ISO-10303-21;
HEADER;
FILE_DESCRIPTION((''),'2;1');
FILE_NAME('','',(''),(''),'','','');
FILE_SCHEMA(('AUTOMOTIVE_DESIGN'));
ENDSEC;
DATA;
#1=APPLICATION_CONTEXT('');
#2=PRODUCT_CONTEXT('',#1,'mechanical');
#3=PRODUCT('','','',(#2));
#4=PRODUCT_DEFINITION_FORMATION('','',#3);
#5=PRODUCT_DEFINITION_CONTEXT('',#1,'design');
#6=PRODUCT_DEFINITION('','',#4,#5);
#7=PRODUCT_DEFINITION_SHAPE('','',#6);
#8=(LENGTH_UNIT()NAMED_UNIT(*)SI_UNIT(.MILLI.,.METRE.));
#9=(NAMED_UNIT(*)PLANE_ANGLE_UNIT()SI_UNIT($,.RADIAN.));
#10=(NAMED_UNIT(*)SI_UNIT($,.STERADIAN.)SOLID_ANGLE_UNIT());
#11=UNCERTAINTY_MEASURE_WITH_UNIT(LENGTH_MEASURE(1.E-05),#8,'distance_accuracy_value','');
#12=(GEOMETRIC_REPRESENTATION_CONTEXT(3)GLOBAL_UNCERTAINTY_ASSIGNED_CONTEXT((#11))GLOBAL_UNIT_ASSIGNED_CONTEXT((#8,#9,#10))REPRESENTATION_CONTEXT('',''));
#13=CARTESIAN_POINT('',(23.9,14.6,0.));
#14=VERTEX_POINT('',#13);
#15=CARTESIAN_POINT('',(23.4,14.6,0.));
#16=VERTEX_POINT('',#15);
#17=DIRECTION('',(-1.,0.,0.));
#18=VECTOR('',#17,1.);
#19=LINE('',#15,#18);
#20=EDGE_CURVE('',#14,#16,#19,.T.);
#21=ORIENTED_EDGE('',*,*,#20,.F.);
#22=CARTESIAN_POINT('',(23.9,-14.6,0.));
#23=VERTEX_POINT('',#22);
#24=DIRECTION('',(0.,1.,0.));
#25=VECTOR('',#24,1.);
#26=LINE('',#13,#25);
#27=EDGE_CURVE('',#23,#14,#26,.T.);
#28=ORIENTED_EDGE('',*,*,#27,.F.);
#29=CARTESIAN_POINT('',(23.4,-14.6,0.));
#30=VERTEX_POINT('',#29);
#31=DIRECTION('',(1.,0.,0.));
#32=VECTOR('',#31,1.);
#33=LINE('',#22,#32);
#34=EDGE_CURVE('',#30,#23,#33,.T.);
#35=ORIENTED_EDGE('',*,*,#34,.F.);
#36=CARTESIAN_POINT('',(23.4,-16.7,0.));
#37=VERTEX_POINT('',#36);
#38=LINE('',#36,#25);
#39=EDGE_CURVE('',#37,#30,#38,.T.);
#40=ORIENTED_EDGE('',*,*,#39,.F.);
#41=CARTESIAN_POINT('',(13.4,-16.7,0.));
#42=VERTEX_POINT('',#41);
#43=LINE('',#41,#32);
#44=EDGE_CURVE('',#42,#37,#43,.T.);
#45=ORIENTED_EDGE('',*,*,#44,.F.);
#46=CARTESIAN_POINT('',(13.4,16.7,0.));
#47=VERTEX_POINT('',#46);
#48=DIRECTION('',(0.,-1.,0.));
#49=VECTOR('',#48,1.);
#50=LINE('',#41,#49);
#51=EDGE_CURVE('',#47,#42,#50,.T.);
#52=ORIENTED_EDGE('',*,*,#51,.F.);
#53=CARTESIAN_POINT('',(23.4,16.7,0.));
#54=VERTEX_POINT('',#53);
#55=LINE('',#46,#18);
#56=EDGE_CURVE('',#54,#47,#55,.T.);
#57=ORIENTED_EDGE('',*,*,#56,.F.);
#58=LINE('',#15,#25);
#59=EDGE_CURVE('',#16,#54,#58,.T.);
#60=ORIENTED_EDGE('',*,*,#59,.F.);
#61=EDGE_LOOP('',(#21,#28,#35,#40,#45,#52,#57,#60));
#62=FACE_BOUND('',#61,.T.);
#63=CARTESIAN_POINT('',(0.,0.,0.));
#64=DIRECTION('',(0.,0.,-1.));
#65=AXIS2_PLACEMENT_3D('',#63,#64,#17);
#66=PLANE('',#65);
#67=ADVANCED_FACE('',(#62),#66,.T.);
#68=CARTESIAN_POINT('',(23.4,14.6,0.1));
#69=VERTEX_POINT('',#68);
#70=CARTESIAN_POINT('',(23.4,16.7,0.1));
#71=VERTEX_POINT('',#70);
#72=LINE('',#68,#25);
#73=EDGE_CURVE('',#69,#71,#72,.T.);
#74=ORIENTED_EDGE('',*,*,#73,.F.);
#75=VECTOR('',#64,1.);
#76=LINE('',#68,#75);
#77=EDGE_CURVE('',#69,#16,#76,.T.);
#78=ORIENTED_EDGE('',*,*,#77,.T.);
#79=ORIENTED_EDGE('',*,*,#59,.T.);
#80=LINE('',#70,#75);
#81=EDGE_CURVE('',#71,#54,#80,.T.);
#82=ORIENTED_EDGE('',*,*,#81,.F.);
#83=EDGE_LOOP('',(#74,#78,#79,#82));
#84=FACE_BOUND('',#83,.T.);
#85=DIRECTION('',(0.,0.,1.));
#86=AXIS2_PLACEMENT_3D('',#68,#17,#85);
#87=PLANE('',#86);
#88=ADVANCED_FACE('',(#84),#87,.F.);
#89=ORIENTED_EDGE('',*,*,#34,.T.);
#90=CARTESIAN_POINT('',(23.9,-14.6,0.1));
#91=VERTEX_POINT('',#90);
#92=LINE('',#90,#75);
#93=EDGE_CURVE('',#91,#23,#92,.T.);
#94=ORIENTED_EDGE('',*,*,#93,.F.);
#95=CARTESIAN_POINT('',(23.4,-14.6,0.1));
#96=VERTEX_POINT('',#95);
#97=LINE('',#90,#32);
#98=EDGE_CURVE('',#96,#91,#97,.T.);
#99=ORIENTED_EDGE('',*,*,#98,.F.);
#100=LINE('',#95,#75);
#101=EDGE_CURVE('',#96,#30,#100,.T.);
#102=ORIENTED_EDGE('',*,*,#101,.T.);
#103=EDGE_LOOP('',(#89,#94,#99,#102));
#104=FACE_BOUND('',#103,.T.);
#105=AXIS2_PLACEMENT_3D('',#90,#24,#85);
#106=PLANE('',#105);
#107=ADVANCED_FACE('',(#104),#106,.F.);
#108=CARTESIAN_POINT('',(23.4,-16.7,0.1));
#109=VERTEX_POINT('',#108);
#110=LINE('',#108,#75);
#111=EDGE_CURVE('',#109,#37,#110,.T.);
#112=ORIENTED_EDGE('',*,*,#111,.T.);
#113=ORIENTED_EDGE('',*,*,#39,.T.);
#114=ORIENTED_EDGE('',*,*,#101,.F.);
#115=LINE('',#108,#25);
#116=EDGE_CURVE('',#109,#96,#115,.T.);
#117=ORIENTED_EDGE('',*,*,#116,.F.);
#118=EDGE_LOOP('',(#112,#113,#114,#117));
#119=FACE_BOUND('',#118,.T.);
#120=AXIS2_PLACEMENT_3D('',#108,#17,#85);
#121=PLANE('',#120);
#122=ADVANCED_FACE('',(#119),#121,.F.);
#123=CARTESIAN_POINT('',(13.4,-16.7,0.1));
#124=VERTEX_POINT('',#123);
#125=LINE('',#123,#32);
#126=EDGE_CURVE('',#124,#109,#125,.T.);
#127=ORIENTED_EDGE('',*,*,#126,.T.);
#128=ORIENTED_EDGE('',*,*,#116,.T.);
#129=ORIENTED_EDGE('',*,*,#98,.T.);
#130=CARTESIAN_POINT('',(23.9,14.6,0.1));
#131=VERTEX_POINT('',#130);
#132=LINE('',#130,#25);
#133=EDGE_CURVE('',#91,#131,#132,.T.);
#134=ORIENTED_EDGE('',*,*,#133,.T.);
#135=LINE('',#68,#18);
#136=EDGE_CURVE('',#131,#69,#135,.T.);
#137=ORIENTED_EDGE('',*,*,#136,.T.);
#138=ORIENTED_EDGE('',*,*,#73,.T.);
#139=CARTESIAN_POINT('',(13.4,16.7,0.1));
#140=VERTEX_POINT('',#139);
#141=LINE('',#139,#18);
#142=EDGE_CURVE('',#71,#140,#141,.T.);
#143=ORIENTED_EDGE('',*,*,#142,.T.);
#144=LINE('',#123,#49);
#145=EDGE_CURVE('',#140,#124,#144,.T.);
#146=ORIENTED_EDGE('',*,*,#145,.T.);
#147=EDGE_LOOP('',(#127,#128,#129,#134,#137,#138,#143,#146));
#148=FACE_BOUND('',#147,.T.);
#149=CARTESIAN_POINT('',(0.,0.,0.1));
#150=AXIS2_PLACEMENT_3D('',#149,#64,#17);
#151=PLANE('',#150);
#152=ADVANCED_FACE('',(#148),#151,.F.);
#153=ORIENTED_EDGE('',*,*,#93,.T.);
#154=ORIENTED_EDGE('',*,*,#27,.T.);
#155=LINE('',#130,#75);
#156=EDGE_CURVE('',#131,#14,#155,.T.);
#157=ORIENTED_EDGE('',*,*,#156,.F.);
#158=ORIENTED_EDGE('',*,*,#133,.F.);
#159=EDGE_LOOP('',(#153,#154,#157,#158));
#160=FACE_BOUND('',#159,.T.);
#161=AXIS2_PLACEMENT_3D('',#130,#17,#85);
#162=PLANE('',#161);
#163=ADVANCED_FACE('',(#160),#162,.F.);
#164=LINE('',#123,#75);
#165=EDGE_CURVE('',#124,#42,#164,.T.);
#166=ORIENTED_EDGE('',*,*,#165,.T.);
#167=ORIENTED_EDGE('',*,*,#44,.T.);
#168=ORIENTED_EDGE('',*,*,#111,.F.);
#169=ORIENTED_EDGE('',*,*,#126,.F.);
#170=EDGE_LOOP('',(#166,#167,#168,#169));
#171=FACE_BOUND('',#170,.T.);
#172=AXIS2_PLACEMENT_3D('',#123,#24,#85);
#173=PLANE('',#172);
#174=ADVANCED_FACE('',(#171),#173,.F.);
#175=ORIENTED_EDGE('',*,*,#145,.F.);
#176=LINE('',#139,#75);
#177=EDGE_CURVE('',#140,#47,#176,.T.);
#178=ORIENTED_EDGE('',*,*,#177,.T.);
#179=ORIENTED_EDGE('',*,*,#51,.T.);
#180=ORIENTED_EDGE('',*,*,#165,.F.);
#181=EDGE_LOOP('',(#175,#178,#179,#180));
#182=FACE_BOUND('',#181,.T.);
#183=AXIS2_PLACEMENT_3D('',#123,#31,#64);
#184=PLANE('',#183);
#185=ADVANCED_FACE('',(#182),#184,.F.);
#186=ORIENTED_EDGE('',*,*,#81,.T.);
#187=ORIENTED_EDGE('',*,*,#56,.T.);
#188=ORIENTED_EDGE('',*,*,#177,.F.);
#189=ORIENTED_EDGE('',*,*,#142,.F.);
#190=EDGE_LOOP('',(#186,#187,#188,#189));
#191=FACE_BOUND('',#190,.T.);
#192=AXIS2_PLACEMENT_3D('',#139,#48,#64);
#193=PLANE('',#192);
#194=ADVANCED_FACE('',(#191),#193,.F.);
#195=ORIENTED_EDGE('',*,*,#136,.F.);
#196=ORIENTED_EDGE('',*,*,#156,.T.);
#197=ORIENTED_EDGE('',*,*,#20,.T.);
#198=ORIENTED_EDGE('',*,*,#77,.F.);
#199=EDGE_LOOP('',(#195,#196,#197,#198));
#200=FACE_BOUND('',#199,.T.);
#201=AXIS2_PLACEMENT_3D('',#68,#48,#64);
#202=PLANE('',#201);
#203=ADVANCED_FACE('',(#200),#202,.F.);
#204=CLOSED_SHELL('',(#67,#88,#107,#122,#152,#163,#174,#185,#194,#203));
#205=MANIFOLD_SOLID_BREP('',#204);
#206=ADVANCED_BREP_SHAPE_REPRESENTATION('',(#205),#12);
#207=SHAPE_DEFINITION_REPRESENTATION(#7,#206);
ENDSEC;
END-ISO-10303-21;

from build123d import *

# Parameters (mm, degrees)
EXTRUDE_1_DEPTH = 0.1


with BuildPart() as part:
    # Эскиз1 → Бобышка-Вытянуть1 (new body)
    with BuildSketch(Plane.XY):
        Polygon((23.4, 14.6), (23.9, 14.6), (23.9, -14.6), (23.4, -14.6), (23.4, -16.7), (13.4, -16.7), (13.4, 16.7), (23.4, 16.7), align=None)
    extrude(amount=EXTRUDE_1_DEPTH)


solid = part.part
